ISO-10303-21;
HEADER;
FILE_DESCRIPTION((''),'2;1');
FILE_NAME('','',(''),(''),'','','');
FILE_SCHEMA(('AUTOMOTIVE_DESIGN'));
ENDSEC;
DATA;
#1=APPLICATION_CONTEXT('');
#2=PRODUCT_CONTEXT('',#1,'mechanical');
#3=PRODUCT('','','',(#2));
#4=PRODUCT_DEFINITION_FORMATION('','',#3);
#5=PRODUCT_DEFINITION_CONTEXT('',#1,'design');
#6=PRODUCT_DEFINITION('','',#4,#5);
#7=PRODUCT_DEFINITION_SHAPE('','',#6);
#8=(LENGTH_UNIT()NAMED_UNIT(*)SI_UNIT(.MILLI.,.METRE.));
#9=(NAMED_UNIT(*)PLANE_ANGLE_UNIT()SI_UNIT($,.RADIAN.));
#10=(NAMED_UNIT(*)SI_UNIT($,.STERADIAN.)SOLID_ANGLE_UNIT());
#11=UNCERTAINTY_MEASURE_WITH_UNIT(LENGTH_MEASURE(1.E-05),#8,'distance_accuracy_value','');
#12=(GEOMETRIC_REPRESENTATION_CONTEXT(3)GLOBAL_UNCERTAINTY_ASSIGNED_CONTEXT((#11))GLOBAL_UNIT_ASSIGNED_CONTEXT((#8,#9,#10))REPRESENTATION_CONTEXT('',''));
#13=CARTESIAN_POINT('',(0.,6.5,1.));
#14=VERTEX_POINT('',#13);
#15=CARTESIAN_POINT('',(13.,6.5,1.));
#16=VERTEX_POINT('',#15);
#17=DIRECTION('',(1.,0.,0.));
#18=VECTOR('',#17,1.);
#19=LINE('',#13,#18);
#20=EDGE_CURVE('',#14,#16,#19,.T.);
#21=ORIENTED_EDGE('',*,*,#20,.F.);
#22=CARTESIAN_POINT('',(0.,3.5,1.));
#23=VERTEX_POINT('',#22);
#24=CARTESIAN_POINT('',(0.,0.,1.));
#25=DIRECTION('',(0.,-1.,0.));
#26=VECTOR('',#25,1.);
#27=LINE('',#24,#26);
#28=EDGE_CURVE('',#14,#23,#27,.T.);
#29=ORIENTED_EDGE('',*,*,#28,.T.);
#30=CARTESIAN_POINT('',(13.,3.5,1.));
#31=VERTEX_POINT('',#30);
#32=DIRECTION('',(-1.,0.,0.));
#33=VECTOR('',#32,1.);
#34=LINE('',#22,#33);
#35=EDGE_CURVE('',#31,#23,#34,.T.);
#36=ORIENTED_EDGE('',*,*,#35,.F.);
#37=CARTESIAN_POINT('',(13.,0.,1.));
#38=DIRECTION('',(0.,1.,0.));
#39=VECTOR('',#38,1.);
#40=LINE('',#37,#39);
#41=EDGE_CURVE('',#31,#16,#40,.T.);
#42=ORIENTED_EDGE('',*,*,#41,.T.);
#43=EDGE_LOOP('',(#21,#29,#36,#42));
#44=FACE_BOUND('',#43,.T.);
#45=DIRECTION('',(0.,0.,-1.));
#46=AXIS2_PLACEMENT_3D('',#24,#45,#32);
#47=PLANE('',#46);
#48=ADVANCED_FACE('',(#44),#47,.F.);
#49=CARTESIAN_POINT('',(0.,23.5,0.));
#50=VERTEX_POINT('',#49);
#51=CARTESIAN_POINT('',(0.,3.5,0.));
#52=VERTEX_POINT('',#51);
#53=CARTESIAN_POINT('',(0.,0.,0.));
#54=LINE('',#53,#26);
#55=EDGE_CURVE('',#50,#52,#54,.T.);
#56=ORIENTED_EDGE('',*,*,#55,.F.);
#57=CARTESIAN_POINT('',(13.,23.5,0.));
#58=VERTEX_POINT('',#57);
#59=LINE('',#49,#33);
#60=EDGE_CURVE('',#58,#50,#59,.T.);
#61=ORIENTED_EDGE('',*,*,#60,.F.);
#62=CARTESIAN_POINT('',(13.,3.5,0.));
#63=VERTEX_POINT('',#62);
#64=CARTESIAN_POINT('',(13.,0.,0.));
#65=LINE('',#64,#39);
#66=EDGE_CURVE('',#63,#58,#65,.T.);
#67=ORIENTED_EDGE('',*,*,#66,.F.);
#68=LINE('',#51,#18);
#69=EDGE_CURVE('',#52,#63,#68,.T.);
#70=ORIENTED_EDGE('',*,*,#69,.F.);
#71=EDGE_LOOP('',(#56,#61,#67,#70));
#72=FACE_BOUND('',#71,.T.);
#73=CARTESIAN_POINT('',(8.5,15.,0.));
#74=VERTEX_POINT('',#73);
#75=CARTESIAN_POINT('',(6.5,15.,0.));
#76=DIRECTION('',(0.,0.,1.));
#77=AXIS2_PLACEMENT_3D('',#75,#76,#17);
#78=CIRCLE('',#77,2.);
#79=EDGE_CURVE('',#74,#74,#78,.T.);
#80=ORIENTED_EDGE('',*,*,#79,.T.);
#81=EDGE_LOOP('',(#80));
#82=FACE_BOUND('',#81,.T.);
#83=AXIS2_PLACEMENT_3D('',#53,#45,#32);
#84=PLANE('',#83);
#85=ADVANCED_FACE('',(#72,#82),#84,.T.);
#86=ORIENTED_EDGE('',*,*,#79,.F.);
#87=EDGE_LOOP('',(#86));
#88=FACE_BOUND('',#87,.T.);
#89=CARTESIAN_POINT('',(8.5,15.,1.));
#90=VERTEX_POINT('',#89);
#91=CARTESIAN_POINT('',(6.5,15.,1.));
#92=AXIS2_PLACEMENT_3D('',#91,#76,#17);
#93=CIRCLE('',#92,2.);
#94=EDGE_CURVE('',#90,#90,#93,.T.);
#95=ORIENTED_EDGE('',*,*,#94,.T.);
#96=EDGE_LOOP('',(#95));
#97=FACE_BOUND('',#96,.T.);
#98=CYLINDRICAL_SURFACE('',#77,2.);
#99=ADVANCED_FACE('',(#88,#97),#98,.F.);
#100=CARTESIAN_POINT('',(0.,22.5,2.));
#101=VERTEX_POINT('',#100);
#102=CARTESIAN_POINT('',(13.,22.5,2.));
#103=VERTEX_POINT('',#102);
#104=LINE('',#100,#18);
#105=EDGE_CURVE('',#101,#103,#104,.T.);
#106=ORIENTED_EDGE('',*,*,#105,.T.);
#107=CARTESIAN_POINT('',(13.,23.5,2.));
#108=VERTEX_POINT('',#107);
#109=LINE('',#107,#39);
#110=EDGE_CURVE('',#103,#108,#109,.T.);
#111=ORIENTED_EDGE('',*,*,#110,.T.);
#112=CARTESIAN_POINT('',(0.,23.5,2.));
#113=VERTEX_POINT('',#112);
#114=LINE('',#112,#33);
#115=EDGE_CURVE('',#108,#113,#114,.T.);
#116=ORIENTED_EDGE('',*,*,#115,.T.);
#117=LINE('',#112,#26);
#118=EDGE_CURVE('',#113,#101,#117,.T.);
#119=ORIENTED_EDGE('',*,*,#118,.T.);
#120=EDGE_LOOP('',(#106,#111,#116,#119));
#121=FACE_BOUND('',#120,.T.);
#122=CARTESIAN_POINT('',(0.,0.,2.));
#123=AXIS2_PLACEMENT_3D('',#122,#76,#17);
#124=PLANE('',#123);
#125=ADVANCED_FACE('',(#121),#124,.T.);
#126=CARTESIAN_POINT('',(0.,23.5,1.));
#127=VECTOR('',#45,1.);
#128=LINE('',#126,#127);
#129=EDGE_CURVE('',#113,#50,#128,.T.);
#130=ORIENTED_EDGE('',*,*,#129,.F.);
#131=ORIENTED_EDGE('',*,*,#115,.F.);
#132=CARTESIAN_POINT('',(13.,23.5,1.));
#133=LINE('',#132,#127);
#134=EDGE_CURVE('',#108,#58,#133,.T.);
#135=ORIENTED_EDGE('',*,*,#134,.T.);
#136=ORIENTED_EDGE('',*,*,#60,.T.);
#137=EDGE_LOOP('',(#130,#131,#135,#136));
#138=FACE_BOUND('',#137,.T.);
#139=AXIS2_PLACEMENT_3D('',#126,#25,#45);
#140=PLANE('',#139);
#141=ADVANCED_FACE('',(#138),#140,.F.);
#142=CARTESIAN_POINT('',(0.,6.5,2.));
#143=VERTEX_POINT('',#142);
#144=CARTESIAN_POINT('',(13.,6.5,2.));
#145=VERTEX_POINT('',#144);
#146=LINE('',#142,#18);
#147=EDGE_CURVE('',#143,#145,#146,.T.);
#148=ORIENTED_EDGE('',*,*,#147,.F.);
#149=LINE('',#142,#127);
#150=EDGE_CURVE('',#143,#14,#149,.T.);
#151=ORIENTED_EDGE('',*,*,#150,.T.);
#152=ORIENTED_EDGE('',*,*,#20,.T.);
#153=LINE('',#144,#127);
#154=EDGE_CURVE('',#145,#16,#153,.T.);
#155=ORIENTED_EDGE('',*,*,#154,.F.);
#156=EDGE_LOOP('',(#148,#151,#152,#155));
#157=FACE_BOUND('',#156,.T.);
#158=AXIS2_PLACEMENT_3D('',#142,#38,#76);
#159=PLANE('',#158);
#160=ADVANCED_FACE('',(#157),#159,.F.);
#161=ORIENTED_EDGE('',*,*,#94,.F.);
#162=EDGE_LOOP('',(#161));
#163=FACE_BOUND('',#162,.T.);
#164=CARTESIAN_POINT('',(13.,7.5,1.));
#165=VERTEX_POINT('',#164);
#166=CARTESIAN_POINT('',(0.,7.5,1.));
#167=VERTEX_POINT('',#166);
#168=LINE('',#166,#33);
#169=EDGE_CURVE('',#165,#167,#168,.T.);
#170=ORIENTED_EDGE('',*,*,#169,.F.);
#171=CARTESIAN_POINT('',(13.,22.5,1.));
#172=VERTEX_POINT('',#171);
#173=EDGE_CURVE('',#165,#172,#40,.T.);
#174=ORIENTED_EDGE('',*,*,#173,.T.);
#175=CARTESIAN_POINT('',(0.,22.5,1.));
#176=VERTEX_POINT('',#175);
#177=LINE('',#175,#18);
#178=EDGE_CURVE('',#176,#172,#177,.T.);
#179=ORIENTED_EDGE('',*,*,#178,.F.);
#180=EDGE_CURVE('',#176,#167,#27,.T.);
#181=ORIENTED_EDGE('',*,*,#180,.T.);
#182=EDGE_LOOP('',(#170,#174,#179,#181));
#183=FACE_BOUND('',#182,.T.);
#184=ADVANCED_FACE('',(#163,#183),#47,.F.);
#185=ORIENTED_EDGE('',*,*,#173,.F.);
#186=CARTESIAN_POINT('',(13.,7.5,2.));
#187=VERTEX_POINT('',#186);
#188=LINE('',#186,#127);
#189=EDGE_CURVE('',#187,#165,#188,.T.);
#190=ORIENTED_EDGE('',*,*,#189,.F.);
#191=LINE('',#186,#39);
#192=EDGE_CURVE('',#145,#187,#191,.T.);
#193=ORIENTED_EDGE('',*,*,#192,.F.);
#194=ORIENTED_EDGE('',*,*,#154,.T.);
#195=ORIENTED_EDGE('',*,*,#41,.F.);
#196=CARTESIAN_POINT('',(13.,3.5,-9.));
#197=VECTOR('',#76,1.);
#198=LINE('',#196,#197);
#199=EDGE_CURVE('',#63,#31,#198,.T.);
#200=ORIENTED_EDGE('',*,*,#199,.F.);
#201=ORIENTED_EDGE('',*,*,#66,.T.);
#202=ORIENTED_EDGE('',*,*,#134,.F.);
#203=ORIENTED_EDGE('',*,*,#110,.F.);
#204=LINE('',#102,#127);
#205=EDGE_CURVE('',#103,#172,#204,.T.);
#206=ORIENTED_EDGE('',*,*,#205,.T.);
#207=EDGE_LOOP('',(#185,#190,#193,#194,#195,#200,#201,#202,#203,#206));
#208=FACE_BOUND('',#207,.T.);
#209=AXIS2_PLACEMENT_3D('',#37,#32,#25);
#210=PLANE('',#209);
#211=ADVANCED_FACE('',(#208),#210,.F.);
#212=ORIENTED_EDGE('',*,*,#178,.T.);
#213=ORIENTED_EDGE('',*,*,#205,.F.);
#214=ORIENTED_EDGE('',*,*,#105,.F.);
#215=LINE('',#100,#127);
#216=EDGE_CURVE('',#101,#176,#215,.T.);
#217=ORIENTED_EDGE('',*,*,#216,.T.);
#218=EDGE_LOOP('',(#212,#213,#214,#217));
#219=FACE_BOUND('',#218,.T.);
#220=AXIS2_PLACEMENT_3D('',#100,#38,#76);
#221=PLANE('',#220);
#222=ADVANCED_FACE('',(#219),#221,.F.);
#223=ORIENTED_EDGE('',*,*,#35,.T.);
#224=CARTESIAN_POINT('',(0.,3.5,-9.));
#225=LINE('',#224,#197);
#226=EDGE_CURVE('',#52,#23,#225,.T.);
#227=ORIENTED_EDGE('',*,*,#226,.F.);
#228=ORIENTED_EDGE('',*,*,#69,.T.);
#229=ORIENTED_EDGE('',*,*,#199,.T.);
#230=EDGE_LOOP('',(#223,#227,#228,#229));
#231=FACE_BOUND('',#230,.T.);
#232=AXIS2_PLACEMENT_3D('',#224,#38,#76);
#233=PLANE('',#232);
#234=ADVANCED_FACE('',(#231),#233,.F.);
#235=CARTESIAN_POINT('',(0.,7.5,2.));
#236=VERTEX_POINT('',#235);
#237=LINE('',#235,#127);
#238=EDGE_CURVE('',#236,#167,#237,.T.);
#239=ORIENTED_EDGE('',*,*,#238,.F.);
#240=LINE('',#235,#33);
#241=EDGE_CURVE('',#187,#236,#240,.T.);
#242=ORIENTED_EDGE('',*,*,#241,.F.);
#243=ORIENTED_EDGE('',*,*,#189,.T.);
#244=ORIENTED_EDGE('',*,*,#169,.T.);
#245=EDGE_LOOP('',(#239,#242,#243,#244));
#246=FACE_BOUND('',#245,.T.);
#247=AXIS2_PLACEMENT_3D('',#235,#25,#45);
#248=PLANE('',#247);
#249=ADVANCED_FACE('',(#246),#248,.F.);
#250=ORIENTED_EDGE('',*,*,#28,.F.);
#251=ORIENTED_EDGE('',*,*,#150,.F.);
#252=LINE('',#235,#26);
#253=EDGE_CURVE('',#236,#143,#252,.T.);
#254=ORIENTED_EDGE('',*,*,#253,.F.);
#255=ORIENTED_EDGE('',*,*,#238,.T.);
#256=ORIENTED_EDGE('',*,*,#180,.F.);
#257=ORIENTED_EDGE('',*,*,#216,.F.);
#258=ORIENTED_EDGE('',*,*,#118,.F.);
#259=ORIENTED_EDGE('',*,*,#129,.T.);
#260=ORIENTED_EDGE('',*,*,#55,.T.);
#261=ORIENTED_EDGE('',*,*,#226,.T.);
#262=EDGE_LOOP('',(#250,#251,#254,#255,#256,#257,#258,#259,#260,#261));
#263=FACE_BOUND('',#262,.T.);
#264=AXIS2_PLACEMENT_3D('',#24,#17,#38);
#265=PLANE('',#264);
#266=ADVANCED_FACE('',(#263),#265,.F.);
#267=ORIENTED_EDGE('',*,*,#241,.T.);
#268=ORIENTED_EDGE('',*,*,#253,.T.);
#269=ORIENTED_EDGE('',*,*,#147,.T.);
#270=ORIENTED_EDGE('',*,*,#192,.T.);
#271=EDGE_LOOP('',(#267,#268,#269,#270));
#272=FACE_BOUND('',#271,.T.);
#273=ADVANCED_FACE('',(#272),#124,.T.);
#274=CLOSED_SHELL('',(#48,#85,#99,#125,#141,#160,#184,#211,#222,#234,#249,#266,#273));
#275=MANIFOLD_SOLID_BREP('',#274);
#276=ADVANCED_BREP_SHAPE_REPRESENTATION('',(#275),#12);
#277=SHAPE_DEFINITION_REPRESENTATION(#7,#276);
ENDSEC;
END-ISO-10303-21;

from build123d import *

# Parameters (mm, degrees)
SKICA1_W                 = 13
SKICA1_H                 = 23.5
P_IDAT_VYSUNUT_M1_DEPTH  = 1
SKICA2_W                 = 13
SKICA2_H                 = 1
P_IDAT_VYSUNUT_M2_DEPTH  = 1
SKICA3_R                 = 2
ODEBRAT_VYSUNUT_M1_DEPTH = 1
SKICA4_W                 = 13
SKICA4_H                 = 3.5
ODEBRAT_VYSUNUT_M2_DEPTH = 10


with BuildPart() as part:
    # Skica1 → Přidat vysunutím1 (new body)
    with BuildSketch(Plane.XY):
        with Locations((6.5, 11.75)):
            Rectangle(SKICA1_W, SKICA1_H)
    extrude(amount=P_IDAT_VYSUNUT_M1_DEPTH)

    # Skica2 → Přidat vysunutím2 (add)
    with BuildSketch(Plane.XY.offset(1)):
        with Locations((6.5, 23)):
            Rectangle(SKICA2_W, SKICA2_H)
        with Locations((6.5, 7)):
            Rectangle(SKICA2_W, SKICA2_H)
    extrude(amount=P_IDAT_VYSUNUT_M2_DEPTH)

    # Skica3 → Odebrat vysunutím1 (cut)
    with BuildSketch(Plane.XY.offset(1)):
        with Locations((6.5, 15)):
            Circle(SKICA3_R)
    extrude(amount=-ODEBRAT_VYSUNUT_M1_DEPTH, mode=Mode.SUBTRACT)

    # Skica4 → Odebrat vysunutím2 (cut)
    with BuildSketch(Plane.XY.offset(1)):
        with Locations((6.5, 1.75)):
            Rectangle(SKICA4_W, SKICA4_H)
    extrude(amount=-ODEBRAT_VYSUNUT_M2_DEPTH, mode=Mode.SUBTRACT)


solid = part.part
